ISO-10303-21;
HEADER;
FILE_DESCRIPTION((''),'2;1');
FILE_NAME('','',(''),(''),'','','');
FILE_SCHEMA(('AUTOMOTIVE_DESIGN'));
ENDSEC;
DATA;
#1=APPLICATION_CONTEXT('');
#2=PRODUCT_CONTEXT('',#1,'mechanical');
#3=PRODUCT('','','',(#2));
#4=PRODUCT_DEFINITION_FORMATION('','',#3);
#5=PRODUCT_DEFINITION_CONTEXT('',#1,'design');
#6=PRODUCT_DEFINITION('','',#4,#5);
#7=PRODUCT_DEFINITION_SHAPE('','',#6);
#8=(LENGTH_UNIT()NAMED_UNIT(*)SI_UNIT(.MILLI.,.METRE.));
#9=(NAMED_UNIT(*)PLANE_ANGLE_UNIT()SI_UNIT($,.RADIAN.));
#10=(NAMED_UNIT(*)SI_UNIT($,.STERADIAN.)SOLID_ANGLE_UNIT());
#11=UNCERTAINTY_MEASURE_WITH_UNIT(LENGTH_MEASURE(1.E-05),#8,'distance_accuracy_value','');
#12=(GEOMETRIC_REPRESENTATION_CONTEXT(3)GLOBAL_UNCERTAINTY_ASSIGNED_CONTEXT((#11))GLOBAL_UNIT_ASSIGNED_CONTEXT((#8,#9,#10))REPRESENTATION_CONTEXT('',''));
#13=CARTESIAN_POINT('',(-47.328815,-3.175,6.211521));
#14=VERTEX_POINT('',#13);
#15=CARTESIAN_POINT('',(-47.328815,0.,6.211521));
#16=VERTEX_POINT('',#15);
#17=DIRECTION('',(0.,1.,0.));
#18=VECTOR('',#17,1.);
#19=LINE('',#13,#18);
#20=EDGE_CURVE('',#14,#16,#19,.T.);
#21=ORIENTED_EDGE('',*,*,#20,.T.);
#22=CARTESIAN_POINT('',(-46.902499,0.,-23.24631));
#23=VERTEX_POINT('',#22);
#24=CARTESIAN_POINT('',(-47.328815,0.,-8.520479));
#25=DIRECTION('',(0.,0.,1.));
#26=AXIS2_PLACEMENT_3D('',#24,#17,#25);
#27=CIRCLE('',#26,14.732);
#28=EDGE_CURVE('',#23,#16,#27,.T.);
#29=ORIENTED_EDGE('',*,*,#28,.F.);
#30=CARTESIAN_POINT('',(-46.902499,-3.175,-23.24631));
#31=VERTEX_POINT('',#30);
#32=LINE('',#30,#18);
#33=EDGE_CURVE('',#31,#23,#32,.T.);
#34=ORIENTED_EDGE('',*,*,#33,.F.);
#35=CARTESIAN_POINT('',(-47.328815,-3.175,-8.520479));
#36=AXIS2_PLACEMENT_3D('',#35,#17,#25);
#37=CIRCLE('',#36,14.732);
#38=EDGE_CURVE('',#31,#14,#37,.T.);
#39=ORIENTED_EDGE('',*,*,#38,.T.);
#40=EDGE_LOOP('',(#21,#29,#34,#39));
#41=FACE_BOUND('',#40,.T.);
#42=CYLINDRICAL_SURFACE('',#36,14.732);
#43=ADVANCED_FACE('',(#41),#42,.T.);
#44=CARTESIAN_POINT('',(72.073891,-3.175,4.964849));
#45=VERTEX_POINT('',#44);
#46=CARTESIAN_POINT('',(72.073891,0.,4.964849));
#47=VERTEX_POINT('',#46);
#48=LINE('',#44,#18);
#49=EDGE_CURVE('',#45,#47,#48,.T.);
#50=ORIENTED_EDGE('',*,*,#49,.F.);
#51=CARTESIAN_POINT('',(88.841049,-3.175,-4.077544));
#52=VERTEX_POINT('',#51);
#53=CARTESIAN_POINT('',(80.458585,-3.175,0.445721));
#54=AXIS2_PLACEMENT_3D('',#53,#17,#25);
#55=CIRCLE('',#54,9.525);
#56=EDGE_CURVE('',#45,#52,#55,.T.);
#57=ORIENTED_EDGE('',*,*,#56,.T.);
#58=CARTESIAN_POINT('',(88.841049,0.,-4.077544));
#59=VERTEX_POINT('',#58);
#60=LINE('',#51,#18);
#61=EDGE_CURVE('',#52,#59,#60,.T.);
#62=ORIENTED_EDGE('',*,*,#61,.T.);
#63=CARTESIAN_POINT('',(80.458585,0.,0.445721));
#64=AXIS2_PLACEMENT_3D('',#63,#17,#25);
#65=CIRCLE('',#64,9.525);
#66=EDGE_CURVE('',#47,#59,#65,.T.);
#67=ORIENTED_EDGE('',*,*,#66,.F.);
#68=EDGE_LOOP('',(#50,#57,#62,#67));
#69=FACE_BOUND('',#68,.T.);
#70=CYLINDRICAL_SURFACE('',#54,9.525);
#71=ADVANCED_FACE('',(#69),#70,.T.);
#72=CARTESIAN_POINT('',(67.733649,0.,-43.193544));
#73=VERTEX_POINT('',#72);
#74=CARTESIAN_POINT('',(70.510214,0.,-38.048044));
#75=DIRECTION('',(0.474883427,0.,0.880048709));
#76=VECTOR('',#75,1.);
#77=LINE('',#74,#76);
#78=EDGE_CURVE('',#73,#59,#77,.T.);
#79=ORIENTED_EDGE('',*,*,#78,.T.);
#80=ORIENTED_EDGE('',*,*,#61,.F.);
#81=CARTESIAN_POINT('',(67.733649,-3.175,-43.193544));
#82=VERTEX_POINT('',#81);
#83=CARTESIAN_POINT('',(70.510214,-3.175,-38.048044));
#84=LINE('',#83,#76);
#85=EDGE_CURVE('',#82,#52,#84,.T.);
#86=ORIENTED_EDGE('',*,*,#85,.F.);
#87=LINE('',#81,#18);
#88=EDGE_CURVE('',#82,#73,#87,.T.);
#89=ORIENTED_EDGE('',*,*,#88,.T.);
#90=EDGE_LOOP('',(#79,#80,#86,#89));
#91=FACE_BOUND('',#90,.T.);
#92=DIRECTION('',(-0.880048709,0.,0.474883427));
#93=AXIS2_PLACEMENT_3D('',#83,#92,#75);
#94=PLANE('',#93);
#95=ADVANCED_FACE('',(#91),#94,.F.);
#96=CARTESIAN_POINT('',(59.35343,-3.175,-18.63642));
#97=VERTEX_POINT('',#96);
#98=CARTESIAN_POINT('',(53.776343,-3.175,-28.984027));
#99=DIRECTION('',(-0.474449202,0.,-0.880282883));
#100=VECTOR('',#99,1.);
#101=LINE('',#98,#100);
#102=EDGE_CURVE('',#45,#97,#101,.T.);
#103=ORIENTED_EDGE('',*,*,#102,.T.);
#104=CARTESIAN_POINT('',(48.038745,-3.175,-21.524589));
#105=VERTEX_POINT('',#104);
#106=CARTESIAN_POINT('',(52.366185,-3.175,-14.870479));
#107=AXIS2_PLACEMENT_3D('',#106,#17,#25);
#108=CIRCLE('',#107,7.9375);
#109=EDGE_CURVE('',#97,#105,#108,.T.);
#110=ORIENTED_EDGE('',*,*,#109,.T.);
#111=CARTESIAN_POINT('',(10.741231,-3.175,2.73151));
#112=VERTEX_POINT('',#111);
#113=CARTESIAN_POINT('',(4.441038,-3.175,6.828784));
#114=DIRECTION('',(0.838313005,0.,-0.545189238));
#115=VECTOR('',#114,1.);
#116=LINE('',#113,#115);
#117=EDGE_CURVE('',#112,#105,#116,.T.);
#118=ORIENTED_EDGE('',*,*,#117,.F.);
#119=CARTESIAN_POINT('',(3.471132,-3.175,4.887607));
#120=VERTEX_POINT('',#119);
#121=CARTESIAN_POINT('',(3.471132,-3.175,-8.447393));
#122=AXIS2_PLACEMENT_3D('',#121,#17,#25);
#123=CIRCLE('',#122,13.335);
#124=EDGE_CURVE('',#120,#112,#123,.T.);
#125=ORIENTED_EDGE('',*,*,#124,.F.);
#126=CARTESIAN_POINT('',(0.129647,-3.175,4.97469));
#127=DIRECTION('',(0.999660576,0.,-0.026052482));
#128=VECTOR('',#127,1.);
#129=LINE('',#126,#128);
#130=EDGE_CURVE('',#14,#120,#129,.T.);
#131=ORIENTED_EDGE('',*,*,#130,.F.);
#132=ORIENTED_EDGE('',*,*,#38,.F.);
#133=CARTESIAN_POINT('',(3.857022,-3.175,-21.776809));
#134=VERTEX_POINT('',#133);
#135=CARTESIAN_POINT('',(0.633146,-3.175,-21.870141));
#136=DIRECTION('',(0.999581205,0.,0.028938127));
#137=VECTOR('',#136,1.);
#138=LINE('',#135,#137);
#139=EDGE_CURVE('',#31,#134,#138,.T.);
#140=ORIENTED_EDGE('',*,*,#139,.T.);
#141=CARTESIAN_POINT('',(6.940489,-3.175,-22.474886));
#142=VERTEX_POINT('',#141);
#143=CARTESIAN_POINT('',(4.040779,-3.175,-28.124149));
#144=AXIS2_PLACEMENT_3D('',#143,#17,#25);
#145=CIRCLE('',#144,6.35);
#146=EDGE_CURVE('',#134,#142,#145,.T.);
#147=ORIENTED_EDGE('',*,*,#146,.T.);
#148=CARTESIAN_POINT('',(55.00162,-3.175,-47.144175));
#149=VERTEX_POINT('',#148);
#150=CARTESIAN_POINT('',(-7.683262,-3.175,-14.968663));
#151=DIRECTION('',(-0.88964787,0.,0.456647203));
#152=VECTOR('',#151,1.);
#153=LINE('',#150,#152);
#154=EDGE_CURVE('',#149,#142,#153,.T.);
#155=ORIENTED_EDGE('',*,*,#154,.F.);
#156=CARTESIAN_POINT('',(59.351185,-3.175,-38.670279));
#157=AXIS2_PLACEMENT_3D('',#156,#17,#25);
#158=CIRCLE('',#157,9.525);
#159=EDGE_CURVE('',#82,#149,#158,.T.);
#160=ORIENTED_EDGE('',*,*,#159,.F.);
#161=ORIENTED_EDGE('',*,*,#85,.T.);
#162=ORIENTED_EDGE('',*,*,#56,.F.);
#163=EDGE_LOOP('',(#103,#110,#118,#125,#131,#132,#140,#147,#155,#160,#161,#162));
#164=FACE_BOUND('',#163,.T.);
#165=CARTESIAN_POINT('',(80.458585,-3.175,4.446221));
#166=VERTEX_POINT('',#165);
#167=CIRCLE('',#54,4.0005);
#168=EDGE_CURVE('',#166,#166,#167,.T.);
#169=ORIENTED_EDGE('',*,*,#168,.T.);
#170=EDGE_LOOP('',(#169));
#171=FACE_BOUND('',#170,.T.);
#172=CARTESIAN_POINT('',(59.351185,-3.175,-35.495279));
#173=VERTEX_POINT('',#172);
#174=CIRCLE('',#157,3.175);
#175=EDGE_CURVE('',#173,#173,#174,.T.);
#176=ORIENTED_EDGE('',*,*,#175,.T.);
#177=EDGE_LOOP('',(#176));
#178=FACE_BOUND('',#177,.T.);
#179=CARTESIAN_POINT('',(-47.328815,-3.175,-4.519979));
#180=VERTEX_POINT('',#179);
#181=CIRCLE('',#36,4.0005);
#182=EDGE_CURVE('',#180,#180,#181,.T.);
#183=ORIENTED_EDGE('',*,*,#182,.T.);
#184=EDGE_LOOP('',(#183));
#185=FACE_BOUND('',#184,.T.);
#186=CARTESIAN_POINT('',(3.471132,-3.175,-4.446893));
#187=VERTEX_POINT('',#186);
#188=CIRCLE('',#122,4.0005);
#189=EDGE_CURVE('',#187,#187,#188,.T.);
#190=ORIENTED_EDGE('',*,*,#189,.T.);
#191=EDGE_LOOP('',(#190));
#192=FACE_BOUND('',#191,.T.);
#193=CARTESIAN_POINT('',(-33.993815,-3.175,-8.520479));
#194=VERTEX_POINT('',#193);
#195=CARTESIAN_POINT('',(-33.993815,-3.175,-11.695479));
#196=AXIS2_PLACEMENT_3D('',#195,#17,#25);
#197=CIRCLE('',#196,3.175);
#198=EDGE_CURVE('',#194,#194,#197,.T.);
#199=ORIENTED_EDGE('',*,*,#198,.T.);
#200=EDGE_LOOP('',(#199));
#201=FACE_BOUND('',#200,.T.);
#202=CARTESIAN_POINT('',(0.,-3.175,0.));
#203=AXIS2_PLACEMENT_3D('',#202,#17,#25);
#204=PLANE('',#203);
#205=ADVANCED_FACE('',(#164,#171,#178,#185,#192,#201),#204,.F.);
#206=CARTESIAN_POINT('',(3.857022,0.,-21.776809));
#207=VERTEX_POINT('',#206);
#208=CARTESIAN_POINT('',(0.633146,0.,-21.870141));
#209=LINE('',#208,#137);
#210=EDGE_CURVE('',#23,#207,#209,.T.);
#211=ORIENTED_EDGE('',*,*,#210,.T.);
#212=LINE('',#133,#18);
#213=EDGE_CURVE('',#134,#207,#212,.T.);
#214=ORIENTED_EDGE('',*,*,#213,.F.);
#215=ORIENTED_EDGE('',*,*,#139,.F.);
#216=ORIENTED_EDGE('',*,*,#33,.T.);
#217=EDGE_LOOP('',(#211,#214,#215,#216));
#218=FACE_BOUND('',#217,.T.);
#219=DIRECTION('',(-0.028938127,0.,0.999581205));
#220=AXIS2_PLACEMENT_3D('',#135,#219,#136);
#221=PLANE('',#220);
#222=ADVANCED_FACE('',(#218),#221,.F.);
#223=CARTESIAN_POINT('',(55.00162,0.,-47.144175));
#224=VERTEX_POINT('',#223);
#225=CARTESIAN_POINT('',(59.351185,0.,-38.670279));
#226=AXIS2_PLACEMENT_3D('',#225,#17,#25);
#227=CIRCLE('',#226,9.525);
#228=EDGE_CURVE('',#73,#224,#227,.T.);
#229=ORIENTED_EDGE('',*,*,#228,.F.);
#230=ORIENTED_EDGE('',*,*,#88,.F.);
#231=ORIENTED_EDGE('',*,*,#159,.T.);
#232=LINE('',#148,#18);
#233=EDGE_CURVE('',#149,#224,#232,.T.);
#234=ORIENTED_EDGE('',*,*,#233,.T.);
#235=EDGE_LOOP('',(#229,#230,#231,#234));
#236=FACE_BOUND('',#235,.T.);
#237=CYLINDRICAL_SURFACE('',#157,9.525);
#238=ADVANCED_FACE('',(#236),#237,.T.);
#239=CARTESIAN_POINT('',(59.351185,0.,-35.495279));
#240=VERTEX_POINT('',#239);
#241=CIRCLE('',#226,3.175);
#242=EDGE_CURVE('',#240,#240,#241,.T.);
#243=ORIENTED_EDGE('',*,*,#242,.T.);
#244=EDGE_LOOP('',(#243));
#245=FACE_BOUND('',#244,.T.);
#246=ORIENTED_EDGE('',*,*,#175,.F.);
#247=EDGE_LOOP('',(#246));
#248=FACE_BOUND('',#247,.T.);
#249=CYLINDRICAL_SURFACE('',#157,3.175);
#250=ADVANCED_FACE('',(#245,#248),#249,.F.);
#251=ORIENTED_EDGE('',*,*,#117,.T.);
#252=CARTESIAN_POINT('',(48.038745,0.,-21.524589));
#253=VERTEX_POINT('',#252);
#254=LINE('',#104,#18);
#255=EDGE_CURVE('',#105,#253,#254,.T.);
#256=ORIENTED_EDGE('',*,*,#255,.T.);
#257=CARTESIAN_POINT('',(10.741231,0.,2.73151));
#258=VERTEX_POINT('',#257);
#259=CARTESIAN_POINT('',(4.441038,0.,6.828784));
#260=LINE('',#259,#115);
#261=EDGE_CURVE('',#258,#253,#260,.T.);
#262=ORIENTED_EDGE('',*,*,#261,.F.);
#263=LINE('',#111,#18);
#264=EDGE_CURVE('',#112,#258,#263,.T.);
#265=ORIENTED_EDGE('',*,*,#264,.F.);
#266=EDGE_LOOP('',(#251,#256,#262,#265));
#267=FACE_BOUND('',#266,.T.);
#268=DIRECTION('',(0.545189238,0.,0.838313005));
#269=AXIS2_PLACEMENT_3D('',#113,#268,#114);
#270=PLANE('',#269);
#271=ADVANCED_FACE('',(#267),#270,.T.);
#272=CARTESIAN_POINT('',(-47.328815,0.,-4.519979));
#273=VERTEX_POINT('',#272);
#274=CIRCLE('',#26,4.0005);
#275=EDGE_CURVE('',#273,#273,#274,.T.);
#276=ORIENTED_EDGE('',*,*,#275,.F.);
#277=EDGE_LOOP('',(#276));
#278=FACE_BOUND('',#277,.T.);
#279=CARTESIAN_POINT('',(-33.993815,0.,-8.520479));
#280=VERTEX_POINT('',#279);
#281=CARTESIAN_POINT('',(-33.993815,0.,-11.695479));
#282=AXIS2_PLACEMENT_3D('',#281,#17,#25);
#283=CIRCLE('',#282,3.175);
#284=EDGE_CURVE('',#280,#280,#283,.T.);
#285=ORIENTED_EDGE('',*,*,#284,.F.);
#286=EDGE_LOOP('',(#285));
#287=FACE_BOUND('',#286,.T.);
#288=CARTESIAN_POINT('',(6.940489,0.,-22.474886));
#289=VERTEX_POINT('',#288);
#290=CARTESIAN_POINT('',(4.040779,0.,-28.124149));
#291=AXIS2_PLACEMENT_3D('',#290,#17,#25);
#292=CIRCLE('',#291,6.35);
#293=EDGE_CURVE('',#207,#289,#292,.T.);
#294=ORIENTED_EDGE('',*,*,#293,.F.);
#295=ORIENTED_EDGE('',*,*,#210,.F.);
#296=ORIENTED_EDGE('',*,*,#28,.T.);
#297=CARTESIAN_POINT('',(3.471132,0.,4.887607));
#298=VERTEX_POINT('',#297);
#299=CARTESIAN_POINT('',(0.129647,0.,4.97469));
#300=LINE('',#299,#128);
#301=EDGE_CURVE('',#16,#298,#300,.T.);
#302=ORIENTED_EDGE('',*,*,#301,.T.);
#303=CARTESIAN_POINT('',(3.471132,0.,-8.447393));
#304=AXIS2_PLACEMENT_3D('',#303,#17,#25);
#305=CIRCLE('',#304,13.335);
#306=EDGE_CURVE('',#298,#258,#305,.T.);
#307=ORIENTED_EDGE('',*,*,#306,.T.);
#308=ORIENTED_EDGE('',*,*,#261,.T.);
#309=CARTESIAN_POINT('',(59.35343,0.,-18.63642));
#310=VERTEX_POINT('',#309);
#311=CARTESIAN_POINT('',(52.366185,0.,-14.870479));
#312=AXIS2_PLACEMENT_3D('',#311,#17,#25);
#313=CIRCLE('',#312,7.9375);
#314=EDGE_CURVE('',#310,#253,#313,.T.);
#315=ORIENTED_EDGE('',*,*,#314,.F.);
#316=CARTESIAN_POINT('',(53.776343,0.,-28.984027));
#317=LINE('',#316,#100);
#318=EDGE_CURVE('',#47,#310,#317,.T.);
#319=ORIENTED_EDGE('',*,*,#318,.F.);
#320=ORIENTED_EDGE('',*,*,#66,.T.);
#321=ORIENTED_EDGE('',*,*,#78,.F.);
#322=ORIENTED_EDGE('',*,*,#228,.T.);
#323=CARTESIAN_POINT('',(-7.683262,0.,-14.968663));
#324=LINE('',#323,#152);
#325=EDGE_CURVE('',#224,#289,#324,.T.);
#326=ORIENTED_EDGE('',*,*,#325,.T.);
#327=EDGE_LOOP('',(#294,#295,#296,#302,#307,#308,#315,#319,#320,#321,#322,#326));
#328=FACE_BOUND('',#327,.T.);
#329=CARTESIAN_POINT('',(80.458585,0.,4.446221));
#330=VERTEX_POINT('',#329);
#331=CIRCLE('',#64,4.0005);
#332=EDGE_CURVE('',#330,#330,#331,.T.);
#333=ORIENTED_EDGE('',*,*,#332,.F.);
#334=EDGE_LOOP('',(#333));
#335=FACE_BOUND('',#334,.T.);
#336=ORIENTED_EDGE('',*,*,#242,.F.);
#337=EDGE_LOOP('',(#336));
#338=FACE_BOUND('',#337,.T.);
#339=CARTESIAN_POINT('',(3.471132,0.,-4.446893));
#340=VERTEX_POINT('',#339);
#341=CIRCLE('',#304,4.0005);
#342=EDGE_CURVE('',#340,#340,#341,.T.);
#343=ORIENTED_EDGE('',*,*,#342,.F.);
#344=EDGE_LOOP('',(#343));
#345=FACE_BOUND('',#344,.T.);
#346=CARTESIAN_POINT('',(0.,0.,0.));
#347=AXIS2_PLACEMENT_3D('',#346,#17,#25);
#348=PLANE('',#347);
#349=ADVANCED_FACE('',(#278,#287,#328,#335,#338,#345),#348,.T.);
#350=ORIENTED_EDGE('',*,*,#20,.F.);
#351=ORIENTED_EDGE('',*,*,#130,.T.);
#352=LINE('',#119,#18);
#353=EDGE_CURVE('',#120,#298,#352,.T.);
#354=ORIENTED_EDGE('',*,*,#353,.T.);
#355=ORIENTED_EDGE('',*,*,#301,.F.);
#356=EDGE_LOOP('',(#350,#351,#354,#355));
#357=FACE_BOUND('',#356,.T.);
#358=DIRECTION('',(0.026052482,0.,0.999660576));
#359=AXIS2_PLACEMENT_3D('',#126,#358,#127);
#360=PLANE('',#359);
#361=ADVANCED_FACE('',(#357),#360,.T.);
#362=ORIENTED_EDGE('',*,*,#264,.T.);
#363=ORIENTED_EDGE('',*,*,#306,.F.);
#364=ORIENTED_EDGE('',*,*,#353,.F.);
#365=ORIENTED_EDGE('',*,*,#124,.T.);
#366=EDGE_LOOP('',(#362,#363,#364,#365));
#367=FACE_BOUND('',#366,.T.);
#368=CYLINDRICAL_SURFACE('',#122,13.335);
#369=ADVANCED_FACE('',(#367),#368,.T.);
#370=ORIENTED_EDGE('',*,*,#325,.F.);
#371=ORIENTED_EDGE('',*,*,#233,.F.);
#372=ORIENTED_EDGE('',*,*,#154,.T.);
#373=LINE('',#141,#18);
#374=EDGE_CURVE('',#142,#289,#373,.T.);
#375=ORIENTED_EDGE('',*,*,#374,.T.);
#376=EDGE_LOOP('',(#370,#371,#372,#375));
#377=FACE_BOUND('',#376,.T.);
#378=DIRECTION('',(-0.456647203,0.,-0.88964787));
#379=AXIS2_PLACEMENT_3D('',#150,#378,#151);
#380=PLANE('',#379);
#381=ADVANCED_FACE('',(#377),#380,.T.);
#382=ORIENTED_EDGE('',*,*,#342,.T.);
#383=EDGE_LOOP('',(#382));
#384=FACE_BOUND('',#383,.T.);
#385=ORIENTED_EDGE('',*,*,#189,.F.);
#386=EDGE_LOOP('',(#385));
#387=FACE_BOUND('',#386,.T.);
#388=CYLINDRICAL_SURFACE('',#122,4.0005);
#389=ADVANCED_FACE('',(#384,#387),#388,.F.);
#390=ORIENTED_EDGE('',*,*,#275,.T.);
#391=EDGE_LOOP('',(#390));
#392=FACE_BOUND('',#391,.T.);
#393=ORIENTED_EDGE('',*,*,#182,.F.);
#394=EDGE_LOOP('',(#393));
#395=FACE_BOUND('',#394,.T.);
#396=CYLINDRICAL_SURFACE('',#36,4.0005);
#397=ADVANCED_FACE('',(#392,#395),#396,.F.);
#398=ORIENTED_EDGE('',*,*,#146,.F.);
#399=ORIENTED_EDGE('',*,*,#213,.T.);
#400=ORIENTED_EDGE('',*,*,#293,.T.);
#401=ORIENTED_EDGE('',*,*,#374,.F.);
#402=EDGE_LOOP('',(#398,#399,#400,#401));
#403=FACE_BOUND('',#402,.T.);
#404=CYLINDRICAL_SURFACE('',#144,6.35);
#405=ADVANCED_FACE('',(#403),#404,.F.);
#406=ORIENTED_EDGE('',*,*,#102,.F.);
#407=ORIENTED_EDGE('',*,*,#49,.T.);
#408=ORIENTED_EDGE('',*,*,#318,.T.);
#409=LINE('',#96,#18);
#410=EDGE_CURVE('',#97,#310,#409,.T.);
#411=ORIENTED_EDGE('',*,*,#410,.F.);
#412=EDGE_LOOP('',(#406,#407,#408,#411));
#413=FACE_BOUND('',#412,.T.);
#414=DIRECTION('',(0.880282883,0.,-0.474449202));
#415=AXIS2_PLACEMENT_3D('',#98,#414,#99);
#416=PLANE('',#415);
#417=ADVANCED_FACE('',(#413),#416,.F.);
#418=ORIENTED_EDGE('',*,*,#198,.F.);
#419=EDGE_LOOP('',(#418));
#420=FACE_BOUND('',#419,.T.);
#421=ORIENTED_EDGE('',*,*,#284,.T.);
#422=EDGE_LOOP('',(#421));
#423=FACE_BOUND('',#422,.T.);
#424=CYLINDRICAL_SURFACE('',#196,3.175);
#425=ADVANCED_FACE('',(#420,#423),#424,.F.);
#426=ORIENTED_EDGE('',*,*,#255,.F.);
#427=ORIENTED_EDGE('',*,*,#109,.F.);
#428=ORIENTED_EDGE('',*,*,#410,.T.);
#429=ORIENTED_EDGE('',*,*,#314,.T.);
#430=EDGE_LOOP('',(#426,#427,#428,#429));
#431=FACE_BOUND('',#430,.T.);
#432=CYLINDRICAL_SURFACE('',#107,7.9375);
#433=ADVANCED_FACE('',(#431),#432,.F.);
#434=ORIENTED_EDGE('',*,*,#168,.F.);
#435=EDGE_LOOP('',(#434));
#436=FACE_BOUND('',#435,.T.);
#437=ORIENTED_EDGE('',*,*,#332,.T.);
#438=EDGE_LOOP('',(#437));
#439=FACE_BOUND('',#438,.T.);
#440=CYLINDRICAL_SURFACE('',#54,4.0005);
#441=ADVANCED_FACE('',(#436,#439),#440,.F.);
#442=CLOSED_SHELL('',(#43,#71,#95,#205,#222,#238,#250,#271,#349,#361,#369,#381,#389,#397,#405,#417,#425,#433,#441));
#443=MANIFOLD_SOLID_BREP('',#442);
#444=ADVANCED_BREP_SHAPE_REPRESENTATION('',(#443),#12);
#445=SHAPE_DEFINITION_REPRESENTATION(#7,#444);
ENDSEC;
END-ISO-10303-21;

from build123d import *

# Parameters (mm, degrees)
SKETCH1_R           = 4.0005
SKETCH1_R_2         = 3.175
BOSS_EXTRUDE1_DEPTH = 3.175


with BuildPart() as part:
    # Sketch1 → Boss-Extrude1 (new body)
    with BuildSketch(Plane(origin=(0, 0, 0), x_dir=(1, 0, 0), z_dir=(0, 1, 0))):
        with BuildLine():
            ThreePointArc((-46.902498527, 23.246309683), (-62.059272503, 8.733659936), (-47.328815007, -6.211520625))
            Line((-47.328815007, -6.211520625), (-46.561465221, -6.19152247))
            Line((-46.561465221, -6.19152247), (3.471132419, -4.887606539))
            ThreePointArc((3.471132419, -4.887606539), (7.262671761, -4.337224423), (10.741230908, -2.731510464))
            Line((10.741230908, -2.731510464), (48.038745416, 21.524588854))
            ThreePointArc((48.038745416, 21.524588854), (54.329351234, 22.561375589), (59.353430379, 18.636419917))
            Line((59.353430379, 18.636419917), (72.07389053, -4.964849275))
            ThreePointArc((72.07389053, -4.964849275), (84.979781777, -8.82930009), (88.84104895, 4.077544017))
            Line((88.84104895, 4.077544017), (67.73364895, 43.193544017))
            ThreePointArc((67.73364895, 43.193544017), (62.173939186, 47.767404403), (55.001620384, 47.144175333))
            Line((55.001620384, 47.144175333), (6.940489179, 22.474885504))
            ThreePointArc((6.940489179, 22.474885504), (5.442894785, 21.93088115), (3.857022336, 21.776808826))
            Line((3.857022336, 21.776808826), (-46.902498527, 23.246309683))
        make_face()
        with Locations(Location((-47.328815007, 8.520479375, 0), (0, 0, 270))):
            Circle(SKETCH1_R, mode=Mode.SUBTRACT)
        with Locations(Location((-33.993815007, 11.695479375, 0), (0, 0, 270))):
            Circle(SKETCH1_R_2, mode=Mode.SUBTRACT)
        with Locations(Location((3.471132419, 8.447393461, 0), (0, 0, 270))):
            Circle(SKETCH1_R, mode=Mode.SUBTRACT)
        with Locations(Location((80.458584993, -0.445720625, 0), (0, 0, 270))):
            Circle(SKETCH1_R, mode=Mode.SUBTRACT)
        with Locations(Location((59.351184993, 38.670279375, 0), (0, 0, 270))):
            Circle(SKETCH1_R_2, mode=Mode.SUBTRACT)
    extrude(amount=-BOSS_EXTRUDE1_DEPTH)


solid = part.part
